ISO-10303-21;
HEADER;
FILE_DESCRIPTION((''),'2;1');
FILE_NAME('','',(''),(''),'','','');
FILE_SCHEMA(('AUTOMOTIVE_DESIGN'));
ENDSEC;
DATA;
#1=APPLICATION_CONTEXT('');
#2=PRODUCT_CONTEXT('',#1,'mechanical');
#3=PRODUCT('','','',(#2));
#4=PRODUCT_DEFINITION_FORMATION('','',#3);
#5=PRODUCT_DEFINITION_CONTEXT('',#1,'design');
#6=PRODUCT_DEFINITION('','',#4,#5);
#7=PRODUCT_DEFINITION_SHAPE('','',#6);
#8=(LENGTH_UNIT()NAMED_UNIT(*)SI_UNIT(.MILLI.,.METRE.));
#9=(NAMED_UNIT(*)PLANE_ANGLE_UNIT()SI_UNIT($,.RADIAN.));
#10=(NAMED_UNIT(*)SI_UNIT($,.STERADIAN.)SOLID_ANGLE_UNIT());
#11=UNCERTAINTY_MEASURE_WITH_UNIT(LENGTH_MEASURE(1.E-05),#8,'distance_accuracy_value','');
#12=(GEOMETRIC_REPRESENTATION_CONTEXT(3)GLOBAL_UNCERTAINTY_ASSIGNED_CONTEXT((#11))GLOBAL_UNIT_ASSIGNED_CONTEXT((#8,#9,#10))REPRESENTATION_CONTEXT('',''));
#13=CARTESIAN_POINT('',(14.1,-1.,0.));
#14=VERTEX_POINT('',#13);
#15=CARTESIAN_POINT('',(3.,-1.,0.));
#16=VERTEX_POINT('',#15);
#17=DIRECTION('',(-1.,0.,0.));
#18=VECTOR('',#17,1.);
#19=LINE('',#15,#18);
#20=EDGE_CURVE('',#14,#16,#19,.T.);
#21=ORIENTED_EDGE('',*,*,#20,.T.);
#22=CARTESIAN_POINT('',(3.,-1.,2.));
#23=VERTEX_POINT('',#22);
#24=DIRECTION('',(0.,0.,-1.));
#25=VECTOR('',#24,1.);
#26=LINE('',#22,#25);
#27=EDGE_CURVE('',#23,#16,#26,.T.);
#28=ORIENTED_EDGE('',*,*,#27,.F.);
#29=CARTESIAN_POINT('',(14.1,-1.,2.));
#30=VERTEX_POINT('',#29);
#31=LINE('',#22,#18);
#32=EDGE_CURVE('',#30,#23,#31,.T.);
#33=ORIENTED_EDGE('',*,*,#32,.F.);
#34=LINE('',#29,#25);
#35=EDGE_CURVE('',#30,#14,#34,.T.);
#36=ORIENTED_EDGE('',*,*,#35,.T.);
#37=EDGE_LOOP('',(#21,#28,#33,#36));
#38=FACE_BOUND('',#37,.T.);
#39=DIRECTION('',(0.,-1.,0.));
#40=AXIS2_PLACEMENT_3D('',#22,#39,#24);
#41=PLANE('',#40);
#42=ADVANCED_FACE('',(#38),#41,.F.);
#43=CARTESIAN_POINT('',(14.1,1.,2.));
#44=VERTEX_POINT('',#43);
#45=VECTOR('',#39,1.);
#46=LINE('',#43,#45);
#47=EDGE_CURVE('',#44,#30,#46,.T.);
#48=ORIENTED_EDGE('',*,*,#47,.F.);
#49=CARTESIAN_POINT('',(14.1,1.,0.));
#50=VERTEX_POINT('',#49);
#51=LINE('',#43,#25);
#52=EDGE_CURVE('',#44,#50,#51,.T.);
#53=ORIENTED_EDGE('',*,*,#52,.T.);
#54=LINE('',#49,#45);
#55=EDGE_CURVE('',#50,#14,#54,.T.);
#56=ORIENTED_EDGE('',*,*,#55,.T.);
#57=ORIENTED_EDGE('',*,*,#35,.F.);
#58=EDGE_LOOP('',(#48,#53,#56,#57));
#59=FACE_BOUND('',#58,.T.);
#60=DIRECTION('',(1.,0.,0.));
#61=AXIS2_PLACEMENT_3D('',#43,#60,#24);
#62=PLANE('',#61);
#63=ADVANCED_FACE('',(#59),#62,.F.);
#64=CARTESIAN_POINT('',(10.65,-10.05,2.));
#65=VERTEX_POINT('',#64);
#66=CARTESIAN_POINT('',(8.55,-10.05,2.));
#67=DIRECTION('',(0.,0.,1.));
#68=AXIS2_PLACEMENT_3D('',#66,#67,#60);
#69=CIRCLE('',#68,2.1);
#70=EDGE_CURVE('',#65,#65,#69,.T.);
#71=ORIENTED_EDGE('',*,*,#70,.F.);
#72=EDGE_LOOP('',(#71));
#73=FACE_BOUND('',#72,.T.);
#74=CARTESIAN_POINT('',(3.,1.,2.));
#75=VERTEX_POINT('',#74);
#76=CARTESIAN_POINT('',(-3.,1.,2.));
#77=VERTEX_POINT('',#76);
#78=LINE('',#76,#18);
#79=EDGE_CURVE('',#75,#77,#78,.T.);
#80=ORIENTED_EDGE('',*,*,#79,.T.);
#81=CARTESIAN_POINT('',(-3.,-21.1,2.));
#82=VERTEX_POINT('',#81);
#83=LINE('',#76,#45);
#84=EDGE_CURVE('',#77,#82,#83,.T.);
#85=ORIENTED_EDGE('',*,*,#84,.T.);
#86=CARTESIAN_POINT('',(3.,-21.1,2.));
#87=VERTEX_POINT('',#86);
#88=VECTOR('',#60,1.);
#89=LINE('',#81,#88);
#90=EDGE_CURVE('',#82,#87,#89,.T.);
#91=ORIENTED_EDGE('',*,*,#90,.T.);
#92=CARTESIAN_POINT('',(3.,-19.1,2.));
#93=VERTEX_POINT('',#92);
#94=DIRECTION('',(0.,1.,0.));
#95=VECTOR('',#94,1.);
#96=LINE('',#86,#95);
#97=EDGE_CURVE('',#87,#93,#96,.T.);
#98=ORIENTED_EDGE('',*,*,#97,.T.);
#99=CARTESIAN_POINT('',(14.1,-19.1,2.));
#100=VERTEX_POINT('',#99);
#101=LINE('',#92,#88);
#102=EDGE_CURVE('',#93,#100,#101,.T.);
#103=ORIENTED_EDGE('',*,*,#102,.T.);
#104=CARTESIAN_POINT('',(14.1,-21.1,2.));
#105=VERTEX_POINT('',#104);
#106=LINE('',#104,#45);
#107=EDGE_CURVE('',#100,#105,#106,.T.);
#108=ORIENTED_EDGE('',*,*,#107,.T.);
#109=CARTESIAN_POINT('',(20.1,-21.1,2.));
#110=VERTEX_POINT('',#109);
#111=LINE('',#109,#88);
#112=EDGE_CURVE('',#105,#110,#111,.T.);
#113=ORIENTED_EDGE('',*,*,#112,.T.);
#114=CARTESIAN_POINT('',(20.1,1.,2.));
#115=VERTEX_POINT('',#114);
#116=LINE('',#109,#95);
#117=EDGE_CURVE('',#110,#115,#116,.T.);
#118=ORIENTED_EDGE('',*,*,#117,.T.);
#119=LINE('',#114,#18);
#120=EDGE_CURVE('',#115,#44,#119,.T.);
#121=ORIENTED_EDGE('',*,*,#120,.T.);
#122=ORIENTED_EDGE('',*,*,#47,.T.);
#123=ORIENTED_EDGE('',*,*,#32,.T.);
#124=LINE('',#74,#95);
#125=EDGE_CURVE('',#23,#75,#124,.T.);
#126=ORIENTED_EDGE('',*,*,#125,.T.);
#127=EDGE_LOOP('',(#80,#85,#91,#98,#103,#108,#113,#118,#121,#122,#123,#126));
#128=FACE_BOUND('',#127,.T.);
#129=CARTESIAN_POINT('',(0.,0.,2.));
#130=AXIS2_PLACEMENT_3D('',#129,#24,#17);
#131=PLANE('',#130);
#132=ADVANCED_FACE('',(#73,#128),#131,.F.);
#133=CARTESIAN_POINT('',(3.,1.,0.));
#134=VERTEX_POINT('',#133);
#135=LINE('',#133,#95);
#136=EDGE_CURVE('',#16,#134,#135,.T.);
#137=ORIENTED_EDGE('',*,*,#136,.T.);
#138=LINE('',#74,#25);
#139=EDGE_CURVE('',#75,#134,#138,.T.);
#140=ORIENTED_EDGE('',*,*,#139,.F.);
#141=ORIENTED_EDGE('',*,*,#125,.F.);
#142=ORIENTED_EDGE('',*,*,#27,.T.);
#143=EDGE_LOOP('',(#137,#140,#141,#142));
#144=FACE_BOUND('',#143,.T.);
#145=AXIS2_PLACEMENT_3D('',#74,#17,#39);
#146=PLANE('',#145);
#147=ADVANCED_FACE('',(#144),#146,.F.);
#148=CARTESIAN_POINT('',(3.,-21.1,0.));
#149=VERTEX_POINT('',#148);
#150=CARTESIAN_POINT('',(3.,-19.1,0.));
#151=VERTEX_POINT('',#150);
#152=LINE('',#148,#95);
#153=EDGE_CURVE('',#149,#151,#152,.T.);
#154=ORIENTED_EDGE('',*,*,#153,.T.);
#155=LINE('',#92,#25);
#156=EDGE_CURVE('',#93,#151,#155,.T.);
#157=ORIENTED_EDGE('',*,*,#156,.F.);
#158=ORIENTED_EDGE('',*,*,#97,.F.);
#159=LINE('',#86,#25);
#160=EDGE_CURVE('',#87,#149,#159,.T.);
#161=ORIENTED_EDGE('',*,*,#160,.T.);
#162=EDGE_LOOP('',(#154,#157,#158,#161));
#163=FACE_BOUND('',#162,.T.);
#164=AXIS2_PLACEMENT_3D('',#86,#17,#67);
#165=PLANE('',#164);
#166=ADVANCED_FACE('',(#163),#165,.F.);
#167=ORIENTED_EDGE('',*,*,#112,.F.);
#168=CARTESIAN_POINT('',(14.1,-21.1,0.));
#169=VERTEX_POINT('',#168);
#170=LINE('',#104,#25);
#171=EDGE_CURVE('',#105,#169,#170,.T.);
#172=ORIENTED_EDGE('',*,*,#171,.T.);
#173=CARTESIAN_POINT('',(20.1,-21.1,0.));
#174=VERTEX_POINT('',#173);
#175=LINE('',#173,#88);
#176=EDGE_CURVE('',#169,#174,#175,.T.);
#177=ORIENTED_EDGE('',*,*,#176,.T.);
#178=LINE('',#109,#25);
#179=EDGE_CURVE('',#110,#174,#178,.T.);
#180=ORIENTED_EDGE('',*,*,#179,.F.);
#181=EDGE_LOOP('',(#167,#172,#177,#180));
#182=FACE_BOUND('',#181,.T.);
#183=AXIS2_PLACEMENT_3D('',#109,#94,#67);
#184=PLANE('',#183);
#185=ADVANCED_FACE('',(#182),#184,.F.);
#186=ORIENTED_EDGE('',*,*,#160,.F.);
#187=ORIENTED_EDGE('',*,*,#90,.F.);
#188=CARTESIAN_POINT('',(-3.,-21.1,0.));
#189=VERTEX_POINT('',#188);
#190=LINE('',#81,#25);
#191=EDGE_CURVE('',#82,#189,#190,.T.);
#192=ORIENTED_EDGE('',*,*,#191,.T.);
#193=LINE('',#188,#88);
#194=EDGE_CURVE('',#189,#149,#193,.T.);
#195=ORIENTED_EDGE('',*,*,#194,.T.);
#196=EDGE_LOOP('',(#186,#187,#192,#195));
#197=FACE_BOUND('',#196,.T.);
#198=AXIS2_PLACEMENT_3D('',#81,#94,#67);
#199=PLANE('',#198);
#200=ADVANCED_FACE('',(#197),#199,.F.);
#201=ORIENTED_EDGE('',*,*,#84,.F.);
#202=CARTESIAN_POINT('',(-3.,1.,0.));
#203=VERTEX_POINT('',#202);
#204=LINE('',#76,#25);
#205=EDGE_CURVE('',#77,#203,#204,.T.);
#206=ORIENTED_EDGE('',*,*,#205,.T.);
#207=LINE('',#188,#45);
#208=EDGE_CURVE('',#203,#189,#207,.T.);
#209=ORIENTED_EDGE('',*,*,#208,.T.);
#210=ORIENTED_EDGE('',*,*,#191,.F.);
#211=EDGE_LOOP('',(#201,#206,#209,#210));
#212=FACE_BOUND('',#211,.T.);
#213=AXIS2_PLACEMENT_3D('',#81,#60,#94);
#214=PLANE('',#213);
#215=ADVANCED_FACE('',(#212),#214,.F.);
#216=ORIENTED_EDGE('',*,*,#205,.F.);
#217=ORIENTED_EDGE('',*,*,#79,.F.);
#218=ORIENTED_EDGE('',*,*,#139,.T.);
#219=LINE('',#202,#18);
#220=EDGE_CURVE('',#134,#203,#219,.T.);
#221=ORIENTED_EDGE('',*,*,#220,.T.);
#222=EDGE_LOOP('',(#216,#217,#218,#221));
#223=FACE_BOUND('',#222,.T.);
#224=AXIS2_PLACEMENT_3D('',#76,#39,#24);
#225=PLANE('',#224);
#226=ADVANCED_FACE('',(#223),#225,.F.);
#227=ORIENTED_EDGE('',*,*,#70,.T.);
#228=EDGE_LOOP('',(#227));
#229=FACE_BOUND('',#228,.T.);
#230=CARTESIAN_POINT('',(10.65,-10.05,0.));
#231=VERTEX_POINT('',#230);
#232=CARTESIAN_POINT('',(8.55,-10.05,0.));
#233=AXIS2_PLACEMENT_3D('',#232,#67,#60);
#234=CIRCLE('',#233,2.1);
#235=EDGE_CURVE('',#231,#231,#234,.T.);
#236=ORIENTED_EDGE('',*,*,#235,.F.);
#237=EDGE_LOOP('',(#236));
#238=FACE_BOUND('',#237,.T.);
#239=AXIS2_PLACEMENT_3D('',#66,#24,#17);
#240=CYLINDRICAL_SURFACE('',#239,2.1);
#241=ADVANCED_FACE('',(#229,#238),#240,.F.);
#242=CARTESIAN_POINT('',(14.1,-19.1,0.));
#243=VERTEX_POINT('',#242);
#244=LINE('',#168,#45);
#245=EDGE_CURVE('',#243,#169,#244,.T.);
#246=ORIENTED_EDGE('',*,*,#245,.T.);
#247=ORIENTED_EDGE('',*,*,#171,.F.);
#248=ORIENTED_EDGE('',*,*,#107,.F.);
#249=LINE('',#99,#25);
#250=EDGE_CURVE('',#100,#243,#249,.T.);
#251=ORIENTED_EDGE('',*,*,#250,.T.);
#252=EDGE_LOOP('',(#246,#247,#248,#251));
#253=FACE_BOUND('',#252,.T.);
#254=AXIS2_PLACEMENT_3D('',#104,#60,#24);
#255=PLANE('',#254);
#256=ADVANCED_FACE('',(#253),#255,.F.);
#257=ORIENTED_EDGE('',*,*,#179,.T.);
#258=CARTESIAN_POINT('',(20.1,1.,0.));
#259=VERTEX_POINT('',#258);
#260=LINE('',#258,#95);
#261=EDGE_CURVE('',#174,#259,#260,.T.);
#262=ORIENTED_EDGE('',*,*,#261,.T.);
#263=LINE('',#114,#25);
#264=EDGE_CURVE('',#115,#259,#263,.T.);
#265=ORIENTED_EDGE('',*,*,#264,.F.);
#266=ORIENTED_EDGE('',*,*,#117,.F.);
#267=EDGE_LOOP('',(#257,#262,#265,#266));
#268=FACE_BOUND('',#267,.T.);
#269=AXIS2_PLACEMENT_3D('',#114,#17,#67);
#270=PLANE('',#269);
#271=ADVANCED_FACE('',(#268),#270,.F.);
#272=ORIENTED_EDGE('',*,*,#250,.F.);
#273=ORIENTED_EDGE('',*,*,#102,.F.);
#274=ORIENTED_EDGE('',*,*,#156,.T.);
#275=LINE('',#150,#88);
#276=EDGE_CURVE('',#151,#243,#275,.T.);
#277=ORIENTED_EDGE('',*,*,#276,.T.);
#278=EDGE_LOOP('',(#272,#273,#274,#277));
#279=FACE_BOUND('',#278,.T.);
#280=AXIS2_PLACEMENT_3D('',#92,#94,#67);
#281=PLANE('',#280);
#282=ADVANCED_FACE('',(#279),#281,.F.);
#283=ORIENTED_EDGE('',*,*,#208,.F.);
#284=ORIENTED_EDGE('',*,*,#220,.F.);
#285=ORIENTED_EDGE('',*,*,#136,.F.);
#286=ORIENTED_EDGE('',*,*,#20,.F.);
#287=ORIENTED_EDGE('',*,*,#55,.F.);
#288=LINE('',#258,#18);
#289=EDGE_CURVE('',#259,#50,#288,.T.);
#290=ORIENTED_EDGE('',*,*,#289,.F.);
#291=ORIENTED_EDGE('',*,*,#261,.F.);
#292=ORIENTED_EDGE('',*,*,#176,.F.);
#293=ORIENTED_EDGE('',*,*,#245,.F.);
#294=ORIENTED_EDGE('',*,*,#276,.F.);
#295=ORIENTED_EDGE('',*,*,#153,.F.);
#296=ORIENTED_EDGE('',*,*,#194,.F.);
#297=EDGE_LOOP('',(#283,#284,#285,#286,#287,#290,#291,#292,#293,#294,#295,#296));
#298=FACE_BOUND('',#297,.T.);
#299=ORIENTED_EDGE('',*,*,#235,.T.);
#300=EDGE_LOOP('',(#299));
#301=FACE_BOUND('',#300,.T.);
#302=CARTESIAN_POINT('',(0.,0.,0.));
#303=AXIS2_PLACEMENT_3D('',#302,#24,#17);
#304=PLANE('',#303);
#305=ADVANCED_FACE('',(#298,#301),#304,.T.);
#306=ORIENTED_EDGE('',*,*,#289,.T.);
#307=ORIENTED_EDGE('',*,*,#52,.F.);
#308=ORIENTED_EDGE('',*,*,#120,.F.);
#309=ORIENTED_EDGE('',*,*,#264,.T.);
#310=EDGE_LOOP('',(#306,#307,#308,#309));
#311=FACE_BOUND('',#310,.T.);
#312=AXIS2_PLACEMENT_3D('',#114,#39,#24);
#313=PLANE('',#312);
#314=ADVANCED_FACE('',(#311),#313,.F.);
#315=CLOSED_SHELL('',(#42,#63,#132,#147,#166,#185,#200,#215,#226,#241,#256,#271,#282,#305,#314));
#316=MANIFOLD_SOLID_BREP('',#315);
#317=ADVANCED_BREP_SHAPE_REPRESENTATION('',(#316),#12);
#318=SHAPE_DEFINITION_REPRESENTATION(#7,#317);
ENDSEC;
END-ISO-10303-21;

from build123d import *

# Parameters (mm, degrees)
SKETCH_1_R      = 2.1
EXTRUDE_1_DEPTH = 2


with BuildPart() as part:
    # 草图1 → 凸台-拉伸1 (new body)
    with BuildSketch(Plane.XY):
        Polygon((-3, 1), (3, 1), (3, -1), (14.1, -1), (14.1, 1), (20.1, 1), (20.1, -1), (20.1, -19.1), (20.1, -21.1), (14.1, -21.1), (14.1, -19.1), (3, -19.1), (3, -21.1), (-3, -21.1), (-3, -19.1), (-3, -1), align=None)
        with Locations((8.55, -10.05)):
            Circle(SKETCH_1_R, mode=Mode.SUBTRACT)
    extrude(amount=EXTRUDE_1_DEPTH)


solid = part.part
